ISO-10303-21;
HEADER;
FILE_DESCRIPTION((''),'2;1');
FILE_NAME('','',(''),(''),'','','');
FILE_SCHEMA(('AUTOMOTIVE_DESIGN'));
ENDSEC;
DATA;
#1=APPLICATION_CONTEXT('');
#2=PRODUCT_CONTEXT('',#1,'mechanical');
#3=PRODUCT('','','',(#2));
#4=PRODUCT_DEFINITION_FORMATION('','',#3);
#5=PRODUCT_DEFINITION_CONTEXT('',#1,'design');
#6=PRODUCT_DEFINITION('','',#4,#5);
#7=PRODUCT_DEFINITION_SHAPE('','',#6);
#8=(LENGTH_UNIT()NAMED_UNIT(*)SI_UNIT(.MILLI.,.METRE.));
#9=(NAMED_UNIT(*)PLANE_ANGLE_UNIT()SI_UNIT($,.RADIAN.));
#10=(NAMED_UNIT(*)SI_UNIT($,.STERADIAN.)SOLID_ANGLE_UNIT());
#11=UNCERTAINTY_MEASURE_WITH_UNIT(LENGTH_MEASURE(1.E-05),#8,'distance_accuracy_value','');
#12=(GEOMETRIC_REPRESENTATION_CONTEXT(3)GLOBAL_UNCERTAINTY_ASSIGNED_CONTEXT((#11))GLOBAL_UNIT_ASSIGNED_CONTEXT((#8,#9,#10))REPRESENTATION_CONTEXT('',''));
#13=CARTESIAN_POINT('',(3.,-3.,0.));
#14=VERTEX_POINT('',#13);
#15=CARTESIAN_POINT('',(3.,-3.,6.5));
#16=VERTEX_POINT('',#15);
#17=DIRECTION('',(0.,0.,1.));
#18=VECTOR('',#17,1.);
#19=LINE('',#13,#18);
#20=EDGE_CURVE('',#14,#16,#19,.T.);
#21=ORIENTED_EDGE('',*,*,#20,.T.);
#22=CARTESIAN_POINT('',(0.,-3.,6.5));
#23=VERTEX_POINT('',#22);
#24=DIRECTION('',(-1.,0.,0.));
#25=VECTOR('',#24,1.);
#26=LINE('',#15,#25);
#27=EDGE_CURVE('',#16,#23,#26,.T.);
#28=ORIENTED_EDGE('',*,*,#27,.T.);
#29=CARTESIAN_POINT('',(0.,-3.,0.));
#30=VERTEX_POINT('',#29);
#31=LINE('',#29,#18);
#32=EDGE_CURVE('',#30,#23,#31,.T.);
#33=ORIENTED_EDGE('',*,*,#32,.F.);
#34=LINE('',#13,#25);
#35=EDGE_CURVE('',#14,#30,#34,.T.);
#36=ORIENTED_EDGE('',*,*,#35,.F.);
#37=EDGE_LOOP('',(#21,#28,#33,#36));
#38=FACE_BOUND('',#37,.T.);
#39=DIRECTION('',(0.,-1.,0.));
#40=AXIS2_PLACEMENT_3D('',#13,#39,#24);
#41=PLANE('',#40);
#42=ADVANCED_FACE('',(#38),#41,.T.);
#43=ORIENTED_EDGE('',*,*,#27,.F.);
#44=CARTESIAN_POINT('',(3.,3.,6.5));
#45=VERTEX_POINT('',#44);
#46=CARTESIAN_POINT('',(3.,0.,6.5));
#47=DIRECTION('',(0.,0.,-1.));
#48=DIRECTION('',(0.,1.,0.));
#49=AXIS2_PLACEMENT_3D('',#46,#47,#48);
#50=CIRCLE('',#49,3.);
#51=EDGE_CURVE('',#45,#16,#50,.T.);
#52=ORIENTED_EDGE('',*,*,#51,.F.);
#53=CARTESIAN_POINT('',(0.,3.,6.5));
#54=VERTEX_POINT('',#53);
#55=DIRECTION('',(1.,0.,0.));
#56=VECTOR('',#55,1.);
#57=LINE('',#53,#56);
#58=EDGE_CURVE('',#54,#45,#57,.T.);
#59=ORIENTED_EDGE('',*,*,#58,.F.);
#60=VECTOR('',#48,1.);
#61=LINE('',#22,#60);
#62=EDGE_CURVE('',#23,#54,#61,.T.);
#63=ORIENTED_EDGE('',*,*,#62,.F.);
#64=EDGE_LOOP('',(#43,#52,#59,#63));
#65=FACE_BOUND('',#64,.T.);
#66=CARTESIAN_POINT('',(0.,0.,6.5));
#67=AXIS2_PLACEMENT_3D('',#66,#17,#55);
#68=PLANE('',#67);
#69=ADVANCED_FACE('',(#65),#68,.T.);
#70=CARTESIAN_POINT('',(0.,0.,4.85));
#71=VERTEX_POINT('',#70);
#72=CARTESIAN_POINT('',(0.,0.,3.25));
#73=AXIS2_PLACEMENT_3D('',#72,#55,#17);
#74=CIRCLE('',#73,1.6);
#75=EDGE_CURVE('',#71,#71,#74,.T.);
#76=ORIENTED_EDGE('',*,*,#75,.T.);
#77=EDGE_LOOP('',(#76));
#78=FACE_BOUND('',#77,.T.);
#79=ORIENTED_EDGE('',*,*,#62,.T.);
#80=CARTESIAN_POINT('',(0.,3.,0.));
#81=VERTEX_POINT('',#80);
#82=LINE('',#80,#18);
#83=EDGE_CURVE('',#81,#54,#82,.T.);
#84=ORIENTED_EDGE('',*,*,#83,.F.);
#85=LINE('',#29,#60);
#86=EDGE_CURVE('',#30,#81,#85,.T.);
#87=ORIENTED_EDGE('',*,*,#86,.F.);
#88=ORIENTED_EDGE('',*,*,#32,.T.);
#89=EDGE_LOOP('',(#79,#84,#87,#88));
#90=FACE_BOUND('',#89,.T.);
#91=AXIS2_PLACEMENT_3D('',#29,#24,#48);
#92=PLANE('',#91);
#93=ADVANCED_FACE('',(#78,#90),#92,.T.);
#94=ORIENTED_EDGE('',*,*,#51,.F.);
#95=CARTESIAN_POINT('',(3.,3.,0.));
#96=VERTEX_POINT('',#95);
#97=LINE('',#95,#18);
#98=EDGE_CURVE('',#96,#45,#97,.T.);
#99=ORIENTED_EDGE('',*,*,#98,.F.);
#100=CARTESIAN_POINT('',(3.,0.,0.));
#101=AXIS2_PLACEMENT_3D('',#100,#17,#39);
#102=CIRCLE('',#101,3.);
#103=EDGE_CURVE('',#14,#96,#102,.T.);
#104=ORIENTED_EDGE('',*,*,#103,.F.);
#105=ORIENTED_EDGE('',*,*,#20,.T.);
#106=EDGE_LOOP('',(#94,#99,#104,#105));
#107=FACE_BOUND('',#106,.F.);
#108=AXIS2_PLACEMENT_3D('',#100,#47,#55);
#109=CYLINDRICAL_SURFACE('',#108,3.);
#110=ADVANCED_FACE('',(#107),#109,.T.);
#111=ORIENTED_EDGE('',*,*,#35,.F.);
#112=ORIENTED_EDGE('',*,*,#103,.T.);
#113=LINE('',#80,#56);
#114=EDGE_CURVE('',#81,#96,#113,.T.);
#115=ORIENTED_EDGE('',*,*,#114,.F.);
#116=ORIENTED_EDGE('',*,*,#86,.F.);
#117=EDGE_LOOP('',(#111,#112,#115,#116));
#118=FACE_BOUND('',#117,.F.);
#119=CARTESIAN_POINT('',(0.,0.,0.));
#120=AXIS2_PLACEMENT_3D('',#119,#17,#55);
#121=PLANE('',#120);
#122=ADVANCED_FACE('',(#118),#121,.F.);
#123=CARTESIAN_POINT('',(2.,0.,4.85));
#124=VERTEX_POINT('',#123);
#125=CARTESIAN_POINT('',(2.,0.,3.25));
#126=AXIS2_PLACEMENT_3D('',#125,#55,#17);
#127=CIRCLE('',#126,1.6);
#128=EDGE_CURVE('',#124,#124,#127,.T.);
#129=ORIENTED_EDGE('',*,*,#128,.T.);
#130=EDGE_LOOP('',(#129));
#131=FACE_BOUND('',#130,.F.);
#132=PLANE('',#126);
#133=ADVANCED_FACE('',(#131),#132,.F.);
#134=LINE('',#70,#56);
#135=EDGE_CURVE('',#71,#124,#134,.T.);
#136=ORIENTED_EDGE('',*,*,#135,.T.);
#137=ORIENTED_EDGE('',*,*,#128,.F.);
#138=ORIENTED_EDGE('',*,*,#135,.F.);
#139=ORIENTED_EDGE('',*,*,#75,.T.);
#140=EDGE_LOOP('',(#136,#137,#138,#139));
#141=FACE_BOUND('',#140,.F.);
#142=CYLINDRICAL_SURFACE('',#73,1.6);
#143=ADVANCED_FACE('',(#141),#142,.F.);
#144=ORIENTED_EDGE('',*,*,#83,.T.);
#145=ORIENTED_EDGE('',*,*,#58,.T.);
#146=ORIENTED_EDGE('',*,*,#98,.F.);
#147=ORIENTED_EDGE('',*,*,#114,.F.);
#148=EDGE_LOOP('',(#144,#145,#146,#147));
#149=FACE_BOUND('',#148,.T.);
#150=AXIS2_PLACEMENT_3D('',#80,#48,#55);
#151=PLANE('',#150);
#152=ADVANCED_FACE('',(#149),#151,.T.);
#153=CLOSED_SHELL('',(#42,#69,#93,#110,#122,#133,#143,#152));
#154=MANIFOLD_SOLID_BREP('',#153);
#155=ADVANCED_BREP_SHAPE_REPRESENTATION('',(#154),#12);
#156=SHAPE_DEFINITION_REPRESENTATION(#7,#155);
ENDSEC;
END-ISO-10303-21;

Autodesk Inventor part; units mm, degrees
ref_plane "YZ Plane" through (0, 0, 0) normal (1, 0, 0) x (0, 1, 0)
ref_plane "XZ Plane" through (0, 0, 0) normal (0, 1, 0) x (-1, 0, 0)
ref_plane "XY Plane" through (0, 0, 0) normal (0, 0, 1) x (1, 0, 0)
sketch "Sketch1" plane through (0, 0, 0) normal (0, 0, 1) x (1, 0, 0)
  line L0 (0, 3) -> (3, 3)
  line L1 (6, 0) -> (6, 0)
  line L2 (3, -3) -> (0, -3)
  line L3 (0, -3) -> (0, 3)
  arc A0 (6, 0) -> (3, 3) centre (3, 0) ccw
  arc A1 (3, -3) -> (6, 0) centre (3, 0) ccw
  point P0 (0, 0)
  point P1 (0, 0)
  dimension "d0" = 3
  dimension "d1" = 6
  dimension "d2" = 6
extrude "Extrusion1" add sketch "Sketch1" along normal blind 6.5
sketch "Sketch2" plane through (0, -3, 0) normal (-1, 0, 0) x (0, 0, 1)
  line L0 (0, 6) -> (6.5, 6) projected
  line L1 (6.5, 6) -> (6.5, 0) projected
  line L2 (0, 0) -> (6.5, 0) projected
  line L3 (0, 0) -> (0, 6) projected
  line L4 (3.25, 6) -> (3.25, 0) construction
  line L5 (0, 3) -> (6.5, 3) construction
  point P0 (3.25, 3)
hole "Hole1" at (0, 0, 3.25) direction (1, 0, 0) diameter 3.2 depth 2
properties part number "Belt Tensioner" material "PC/ABS Plastic"
